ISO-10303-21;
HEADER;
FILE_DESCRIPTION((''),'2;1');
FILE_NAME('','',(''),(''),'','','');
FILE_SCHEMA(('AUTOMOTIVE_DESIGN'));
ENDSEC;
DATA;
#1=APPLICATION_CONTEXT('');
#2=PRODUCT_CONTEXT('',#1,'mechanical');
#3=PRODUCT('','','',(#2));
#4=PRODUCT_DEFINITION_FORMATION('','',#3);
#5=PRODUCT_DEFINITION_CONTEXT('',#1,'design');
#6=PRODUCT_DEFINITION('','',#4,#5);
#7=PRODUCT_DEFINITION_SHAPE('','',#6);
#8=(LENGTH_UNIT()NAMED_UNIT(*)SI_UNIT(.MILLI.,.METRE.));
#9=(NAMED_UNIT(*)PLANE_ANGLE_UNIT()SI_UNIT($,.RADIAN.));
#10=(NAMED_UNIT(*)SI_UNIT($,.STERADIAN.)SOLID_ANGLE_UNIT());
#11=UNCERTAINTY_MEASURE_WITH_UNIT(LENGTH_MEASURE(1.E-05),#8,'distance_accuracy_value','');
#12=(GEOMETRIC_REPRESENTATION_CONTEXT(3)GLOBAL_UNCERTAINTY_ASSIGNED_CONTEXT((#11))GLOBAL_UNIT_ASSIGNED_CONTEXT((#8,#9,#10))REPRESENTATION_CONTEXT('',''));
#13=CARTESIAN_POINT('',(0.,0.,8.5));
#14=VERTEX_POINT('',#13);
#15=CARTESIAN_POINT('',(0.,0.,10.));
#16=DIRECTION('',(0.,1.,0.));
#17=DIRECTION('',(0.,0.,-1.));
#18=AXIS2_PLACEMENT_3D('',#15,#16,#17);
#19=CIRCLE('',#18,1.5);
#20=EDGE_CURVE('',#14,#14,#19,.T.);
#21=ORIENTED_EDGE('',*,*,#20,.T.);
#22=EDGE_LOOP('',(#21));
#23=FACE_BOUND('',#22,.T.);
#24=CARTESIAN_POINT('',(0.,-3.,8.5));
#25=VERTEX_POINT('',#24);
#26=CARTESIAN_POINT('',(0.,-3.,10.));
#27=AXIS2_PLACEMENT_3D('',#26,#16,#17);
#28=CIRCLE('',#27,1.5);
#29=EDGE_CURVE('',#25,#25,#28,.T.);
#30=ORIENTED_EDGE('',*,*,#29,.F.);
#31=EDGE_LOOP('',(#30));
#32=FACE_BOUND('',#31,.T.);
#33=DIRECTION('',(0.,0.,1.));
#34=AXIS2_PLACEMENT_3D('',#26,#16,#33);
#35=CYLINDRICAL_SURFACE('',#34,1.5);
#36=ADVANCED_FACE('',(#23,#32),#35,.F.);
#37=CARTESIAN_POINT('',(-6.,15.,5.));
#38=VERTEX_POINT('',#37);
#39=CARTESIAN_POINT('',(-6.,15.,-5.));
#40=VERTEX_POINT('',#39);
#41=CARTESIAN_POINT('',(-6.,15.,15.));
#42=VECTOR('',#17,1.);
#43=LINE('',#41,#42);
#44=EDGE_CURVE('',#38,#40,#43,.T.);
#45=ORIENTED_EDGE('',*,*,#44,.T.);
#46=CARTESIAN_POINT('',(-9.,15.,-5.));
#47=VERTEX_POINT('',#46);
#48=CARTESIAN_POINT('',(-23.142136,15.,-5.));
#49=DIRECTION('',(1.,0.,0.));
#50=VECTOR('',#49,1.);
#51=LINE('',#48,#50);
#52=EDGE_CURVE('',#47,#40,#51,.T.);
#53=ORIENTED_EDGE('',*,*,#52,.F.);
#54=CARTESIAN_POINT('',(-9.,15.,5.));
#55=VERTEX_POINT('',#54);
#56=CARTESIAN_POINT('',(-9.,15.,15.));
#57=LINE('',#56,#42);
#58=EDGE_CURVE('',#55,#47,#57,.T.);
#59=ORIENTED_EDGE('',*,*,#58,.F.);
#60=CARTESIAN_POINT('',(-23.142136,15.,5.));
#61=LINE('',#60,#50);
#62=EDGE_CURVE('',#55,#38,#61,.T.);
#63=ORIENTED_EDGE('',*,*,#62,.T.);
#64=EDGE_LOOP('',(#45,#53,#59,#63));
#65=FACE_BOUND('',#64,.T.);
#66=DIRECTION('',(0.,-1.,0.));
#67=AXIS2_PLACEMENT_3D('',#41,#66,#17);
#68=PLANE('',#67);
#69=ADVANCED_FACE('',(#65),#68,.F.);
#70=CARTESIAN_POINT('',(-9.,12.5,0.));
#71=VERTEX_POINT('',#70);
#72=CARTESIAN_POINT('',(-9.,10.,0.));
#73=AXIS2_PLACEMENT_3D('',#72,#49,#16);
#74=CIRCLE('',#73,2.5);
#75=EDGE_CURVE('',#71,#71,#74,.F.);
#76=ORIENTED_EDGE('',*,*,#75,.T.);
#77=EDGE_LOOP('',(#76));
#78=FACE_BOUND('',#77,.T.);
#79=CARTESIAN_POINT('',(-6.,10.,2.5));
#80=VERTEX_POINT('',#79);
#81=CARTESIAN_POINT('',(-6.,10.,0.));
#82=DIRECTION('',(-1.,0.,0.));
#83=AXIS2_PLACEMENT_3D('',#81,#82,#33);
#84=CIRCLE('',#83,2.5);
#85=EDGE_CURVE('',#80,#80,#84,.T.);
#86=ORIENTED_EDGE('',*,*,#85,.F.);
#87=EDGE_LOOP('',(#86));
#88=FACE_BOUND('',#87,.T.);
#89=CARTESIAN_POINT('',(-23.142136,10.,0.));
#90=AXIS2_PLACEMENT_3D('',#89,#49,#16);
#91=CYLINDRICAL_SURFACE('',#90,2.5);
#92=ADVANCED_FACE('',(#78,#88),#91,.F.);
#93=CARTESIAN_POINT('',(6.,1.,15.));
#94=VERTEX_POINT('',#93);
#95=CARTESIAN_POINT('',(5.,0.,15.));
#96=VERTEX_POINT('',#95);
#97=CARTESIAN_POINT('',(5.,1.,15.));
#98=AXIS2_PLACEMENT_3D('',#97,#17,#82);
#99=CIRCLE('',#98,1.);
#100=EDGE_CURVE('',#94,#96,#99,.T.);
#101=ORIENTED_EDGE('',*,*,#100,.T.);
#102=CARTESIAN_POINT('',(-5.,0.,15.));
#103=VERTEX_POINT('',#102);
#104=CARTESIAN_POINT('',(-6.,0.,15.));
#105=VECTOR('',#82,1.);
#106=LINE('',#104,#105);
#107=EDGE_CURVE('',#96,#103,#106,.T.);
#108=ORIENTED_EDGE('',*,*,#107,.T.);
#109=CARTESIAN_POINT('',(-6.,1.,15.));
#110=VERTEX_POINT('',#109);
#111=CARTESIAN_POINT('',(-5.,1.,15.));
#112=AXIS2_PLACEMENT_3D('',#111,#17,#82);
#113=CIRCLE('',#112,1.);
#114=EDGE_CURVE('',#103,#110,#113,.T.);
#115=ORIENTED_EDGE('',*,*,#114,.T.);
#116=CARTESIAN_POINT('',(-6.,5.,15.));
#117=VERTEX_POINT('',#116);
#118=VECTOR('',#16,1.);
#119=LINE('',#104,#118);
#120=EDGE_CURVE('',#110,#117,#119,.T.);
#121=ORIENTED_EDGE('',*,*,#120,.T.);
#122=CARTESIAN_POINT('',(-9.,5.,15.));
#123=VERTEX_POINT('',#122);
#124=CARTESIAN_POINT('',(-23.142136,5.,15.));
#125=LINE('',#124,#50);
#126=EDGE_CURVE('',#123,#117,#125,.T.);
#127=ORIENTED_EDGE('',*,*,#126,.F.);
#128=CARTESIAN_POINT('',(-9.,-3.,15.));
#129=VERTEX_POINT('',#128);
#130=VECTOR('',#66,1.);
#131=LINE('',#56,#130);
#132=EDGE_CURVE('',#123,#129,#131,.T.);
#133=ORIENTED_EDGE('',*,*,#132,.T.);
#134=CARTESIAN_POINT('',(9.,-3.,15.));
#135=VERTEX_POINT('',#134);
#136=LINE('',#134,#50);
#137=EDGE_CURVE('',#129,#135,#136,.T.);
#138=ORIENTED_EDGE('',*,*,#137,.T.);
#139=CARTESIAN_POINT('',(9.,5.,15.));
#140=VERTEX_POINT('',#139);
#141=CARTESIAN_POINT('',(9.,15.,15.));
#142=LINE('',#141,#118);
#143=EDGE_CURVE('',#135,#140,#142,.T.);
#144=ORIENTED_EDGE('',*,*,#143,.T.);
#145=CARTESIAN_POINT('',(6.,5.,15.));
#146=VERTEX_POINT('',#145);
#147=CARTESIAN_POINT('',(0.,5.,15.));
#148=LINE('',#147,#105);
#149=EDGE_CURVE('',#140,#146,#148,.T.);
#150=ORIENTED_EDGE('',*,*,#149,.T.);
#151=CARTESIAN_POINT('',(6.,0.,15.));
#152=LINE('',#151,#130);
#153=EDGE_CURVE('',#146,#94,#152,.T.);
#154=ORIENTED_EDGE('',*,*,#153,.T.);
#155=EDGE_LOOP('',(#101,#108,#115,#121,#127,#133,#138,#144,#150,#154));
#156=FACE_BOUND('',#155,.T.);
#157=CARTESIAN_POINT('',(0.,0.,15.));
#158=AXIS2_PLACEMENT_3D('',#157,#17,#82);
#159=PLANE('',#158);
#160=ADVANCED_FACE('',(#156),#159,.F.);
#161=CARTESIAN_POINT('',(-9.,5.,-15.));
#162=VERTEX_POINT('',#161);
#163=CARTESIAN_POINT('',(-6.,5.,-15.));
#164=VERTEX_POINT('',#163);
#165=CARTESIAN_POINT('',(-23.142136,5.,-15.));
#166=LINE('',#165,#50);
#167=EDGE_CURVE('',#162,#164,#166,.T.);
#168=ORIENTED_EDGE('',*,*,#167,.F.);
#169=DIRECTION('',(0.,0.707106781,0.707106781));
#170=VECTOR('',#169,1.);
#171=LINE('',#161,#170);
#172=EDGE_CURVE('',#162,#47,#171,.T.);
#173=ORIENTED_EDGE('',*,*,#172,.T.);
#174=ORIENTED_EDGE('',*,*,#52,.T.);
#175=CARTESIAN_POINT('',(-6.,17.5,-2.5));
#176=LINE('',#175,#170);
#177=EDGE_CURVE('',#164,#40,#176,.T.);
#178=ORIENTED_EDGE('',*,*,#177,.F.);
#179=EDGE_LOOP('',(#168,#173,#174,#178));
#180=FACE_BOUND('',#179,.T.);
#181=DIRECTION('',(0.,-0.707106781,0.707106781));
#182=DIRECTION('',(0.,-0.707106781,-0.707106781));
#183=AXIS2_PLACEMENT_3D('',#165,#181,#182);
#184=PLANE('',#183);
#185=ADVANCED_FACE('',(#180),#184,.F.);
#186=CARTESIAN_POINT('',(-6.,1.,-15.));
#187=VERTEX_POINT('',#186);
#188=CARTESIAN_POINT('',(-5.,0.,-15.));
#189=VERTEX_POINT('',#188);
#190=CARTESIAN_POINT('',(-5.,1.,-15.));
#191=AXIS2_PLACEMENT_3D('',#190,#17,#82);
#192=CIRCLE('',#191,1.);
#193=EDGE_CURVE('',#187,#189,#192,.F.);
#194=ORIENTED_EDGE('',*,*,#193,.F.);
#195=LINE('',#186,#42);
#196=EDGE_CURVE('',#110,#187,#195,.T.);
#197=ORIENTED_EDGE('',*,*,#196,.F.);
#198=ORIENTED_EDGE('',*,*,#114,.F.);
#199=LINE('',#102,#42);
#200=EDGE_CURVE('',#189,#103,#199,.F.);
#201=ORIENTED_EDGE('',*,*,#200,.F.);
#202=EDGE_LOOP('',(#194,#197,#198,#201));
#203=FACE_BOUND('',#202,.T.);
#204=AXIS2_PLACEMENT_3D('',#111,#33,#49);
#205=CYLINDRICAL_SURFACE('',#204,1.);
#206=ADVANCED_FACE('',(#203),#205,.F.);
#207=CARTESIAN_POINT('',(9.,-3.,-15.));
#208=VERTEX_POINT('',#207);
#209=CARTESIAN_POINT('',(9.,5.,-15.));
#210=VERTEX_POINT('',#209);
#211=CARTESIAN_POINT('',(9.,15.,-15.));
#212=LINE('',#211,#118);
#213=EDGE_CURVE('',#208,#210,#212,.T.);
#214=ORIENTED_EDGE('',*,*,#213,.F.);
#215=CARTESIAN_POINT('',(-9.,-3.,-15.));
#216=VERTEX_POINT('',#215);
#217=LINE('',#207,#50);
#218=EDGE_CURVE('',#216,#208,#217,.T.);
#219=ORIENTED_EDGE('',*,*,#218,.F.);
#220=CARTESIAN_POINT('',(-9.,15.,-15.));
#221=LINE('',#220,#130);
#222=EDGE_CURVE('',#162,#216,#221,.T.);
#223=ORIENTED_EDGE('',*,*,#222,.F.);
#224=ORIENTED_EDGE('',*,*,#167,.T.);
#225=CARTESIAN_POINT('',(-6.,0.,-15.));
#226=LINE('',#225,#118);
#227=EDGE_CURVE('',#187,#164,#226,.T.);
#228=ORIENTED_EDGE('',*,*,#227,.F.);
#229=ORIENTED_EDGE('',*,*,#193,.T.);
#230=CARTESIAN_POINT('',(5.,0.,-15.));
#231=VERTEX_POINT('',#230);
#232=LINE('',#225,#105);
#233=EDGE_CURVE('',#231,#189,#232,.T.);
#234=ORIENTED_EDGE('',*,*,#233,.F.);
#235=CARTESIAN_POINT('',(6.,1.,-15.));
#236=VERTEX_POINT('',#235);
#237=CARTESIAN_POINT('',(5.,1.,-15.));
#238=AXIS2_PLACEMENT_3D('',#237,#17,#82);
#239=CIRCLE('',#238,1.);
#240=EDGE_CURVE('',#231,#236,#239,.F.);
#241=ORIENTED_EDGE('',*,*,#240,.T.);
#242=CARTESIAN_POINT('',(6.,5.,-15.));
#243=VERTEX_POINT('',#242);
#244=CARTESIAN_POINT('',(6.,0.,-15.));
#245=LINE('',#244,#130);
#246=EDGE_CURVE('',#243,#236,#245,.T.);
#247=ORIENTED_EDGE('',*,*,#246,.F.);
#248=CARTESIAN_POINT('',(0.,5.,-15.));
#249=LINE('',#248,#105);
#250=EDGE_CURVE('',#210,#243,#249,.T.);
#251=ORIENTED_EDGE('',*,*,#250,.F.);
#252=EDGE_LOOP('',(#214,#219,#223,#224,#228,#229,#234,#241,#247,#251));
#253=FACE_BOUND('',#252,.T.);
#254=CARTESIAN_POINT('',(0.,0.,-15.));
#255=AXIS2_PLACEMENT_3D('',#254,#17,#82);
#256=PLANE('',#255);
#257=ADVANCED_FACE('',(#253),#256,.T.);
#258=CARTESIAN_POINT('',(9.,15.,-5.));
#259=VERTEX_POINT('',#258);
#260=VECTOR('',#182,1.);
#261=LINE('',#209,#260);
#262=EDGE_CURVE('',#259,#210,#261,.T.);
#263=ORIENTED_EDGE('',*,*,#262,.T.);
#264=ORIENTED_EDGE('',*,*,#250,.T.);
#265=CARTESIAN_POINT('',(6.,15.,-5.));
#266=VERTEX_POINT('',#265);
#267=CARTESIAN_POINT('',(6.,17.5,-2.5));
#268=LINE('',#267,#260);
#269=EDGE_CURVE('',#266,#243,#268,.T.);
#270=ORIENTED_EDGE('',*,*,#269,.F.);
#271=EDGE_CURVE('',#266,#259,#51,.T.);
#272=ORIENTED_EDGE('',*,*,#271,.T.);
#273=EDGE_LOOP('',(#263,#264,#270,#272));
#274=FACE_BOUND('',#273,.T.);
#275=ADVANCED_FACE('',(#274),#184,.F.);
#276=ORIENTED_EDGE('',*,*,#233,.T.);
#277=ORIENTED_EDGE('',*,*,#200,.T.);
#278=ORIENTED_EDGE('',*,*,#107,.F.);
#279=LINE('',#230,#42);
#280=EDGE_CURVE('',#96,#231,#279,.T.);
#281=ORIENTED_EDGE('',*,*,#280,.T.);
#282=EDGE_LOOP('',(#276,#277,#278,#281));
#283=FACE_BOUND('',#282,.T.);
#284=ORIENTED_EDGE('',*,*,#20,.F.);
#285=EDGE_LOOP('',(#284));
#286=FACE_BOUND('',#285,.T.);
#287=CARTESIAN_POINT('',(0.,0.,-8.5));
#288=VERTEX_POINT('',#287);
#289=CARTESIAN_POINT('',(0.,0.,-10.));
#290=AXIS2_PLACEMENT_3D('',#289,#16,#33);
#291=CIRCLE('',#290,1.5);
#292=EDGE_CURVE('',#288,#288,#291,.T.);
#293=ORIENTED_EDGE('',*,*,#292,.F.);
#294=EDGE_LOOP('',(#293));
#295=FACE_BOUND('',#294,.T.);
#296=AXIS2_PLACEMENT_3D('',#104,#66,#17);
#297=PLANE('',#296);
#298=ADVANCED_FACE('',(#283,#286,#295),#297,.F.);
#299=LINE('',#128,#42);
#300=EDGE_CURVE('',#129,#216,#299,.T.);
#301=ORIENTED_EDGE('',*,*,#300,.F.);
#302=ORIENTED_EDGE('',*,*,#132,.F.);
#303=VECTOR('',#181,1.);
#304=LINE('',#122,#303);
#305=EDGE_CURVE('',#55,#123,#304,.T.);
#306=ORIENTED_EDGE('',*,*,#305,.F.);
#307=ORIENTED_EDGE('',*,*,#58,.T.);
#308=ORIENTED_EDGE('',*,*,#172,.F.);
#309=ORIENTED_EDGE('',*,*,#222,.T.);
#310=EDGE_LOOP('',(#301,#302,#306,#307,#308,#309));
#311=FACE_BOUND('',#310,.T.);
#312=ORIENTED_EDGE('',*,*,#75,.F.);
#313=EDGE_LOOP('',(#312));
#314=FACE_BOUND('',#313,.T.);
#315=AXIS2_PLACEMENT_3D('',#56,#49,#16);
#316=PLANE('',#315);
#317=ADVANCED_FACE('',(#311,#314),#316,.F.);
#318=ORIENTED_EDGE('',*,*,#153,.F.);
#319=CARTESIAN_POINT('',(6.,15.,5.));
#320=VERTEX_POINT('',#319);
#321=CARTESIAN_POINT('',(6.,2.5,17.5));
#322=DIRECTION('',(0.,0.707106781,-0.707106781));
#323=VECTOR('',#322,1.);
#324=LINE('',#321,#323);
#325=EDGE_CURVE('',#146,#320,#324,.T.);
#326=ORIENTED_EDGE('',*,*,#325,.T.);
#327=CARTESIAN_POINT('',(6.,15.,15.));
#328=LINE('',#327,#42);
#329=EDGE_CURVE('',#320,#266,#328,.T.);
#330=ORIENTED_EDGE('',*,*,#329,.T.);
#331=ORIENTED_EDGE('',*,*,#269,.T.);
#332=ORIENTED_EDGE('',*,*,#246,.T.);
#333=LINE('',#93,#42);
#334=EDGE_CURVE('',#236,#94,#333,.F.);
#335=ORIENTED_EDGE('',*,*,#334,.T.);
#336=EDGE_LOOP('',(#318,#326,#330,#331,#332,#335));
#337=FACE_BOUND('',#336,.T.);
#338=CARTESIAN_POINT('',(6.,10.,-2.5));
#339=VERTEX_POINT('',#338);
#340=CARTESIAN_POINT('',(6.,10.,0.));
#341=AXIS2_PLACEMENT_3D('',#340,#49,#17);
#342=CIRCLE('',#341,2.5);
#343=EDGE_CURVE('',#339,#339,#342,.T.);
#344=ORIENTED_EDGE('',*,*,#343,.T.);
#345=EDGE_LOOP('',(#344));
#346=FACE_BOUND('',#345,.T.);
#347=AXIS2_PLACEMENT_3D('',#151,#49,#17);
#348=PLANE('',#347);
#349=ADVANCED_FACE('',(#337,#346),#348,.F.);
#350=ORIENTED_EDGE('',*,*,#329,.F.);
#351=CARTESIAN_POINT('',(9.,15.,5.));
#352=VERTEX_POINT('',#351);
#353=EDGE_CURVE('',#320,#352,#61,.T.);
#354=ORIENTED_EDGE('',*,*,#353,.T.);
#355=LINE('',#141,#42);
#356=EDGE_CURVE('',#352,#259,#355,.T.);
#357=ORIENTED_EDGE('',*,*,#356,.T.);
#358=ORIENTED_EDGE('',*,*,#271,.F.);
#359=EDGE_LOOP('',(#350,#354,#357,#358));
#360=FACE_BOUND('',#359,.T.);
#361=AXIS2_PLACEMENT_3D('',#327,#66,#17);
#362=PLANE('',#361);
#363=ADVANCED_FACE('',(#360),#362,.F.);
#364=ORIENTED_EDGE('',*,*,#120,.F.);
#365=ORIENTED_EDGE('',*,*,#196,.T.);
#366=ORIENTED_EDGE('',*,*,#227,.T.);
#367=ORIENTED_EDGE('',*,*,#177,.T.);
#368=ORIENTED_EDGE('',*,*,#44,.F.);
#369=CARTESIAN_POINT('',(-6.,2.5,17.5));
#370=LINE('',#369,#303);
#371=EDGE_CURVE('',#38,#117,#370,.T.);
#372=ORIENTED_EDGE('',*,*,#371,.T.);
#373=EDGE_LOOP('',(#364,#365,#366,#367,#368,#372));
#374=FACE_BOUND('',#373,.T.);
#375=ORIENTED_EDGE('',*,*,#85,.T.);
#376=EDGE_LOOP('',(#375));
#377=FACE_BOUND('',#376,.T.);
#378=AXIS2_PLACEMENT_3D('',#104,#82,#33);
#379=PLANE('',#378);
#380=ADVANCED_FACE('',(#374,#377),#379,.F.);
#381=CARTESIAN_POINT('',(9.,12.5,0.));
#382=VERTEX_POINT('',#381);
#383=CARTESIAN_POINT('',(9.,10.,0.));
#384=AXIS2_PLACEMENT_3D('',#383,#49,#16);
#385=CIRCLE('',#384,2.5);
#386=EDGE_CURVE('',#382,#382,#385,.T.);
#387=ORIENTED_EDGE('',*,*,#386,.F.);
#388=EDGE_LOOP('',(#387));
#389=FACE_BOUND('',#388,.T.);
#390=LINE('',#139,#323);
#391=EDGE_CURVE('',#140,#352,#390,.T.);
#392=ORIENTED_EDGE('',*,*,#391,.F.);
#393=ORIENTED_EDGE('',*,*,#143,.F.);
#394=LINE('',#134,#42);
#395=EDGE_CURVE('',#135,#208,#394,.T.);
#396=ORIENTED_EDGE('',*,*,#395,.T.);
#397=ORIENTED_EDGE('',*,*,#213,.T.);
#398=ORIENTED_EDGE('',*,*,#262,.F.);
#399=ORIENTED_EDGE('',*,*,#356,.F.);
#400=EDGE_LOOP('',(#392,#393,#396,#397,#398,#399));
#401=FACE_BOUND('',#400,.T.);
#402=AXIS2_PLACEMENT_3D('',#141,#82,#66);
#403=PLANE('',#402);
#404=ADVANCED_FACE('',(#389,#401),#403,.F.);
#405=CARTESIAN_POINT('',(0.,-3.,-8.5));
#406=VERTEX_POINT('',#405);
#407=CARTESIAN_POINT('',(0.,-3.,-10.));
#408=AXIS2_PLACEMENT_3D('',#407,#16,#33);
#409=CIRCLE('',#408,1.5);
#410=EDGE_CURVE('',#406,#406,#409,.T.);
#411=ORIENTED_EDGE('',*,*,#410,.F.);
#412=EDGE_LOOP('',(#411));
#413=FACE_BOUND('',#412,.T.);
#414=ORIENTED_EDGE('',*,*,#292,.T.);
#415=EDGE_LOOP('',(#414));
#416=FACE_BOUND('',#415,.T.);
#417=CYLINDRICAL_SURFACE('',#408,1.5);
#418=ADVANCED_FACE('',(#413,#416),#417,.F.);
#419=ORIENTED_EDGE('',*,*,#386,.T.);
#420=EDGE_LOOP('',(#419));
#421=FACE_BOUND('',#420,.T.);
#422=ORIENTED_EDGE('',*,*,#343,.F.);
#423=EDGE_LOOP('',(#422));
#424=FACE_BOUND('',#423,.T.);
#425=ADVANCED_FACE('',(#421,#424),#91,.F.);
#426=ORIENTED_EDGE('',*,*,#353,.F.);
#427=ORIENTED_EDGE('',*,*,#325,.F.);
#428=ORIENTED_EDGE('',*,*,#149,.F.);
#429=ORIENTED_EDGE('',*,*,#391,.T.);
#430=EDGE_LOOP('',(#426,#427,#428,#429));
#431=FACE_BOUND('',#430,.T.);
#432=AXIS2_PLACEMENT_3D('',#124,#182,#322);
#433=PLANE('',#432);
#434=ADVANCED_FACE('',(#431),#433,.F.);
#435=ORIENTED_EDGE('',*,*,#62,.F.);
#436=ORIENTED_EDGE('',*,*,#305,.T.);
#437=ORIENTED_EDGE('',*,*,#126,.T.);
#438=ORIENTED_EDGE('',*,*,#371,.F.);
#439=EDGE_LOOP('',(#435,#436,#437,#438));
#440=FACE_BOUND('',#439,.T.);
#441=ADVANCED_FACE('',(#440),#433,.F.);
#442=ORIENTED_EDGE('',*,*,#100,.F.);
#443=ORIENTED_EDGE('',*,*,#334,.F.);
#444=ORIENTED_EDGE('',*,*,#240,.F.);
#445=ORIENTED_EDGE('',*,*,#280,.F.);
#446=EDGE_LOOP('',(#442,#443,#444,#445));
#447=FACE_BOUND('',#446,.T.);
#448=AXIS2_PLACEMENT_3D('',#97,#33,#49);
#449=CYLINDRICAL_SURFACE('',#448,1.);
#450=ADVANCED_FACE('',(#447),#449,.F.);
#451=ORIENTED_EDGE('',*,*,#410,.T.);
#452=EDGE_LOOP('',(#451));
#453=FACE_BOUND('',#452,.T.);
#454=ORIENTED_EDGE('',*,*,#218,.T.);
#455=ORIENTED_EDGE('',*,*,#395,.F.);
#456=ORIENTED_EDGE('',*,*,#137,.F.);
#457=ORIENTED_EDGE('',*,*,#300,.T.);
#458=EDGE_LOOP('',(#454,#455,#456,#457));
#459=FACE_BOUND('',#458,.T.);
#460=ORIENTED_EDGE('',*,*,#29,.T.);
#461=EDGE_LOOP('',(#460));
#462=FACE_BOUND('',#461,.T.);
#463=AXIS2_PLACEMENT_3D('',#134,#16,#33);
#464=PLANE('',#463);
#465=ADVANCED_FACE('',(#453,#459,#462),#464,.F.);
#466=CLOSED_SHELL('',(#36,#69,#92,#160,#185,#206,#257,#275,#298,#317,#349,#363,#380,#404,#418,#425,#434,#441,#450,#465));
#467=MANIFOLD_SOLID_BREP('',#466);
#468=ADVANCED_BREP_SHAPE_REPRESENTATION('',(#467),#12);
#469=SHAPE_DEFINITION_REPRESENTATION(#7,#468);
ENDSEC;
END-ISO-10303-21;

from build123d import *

# Parameters (mm, degrees)
BOSS_EXTRUDE1_DEPTH = 15
SKETCH3_R           = 1.5
CUT_EXTRUDE1_DEPTH  = 3
CUT_EXTRUDE2_REACH  = 29.821
SKETCH4_R           = 2.5
FILLET1_R           = 1


with BuildPart() as part:
    # Sketch1 → Boss-Extrude1 (new, symmetric)
    with BuildSketch(Plane.XY):
        Polygon((-6, 0), (6, 0), (6, 15), (9, 15), (9, -3), (-9, -3), (-9, 15), (-6, 15), align=None)
    extrude(amount=BOSS_EXTRUDE1_DEPTH, both=True)

    # Sketch3 → Cut-Extrude1 (cut)
    with BuildSketch(Plane(origin=(0, 0, 0), x_dir=(1, 0, 0), z_dir=(0, 1, 0))):
        with Locations(Location((0, 10, 0), (0, 0, 270))):
            Circle(SKETCH3_R)
        with Locations(Location((0, -10, 0), (0, 0, 90))):
            Circle(SKETCH3_R)
    extrude(amount=-CUT_EXTRUDE1_DEPTH, mode=Mode.SUBTRACT)

    # Cut-Extrude2: up to this face of the body (flat: up to its plane)
    cut_extrude2_end = Plane(part.part.faces().sort_by_distance((-9, 6, 0))[0])
    # Sketch4 → Cut-Extrude2 (cut, up to the picked face)
    with BuildSketch(Plane(origin=(9, 0, 0), x_dir=(0, 0, -1), z_dir=(1, 0, 0)), mode=Mode.PRIVATE) as cut_extrude2_sk1:
        with Locations(Location((0, 10, 0), (0, 0, 90))):
            Circle(SKETCH4_R)
    cut_extrude2_tool1 = split(extrude(cut_extrude2_sk1.sketch, amount=-CUT_EXTRUDE2_REACH, mode=Mode.PRIVATE), bisect_by=cut_extrude2_end, keep=Keep.BOTH, mode=Mode.PRIVATE)
    # Sketch4 → Cut-Extrude2 (cut, up to the picked face)
    with BuildSketch(Plane(origin=(9, 0, 0), x_dir=(0, 0, -1), z_dir=(1, 0, 0)), mode=Mode.PRIVATE) as cut_extrude2_sk2:
        Polygon((-15, 15), (-5, 15), (-15, 5), align=None)
    cut_extrude2_tool2 = split(extrude(cut_extrude2_sk2.sketch, amount=-CUT_EXTRUDE2_REACH, mode=Mode.PRIVATE), bisect_by=cut_extrude2_end, keep=Keep.BOTH, mode=Mode.PRIVATE)
    # Sketch4 → Cut-Extrude2 (cut, up to the picked face)
    with BuildSketch(Plane(origin=(9, 0, 0), x_dir=(0, 0, -1), z_dir=(1, 0, 0)), mode=Mode.PRIVATE) as cut_extrude2_sk3:
        Polygon((15, 5), (5, 15), (15, 15), align=None)
    cut_extrude2_tool3 = split(extrude(cut_extrude2_sk3.sketch, amount=-CUT_EXTRUDE2_REACH, mode=Mode.PRIVATE), bisect_by=cut_extrude2_end, keep=Keep.BOTH, mode=Mode.PRIVATE)
    add(cut_extrude2_tool1.solids().sort_by(Axis((9, 10, 0), (-1, 0, 0)))[0], mode=Mode.SUBTRACT)
    add(cut_extrude2_tool2.solids().sort_by(Axis((9, 11.666667, 11.666667), (-1, 0, 0)))[0], mode=Mode.SUBTRACT)
    add(cut_extrude2_tool3.solids().sort_by(Axis((9, 11.666667, -11.666667), (-1, 0, 0)))[0], mode=Mode.SUBTRACT)

    # Fillet1
    fillet1_edges = [part.edges().sort_by_distance(p)[0] for p in [
        (-6, 0, 0),
        (6, 0, 0),
    ]]
    fillet(fillet1_edges, radius=FILLET1_R)


solid = part.part
